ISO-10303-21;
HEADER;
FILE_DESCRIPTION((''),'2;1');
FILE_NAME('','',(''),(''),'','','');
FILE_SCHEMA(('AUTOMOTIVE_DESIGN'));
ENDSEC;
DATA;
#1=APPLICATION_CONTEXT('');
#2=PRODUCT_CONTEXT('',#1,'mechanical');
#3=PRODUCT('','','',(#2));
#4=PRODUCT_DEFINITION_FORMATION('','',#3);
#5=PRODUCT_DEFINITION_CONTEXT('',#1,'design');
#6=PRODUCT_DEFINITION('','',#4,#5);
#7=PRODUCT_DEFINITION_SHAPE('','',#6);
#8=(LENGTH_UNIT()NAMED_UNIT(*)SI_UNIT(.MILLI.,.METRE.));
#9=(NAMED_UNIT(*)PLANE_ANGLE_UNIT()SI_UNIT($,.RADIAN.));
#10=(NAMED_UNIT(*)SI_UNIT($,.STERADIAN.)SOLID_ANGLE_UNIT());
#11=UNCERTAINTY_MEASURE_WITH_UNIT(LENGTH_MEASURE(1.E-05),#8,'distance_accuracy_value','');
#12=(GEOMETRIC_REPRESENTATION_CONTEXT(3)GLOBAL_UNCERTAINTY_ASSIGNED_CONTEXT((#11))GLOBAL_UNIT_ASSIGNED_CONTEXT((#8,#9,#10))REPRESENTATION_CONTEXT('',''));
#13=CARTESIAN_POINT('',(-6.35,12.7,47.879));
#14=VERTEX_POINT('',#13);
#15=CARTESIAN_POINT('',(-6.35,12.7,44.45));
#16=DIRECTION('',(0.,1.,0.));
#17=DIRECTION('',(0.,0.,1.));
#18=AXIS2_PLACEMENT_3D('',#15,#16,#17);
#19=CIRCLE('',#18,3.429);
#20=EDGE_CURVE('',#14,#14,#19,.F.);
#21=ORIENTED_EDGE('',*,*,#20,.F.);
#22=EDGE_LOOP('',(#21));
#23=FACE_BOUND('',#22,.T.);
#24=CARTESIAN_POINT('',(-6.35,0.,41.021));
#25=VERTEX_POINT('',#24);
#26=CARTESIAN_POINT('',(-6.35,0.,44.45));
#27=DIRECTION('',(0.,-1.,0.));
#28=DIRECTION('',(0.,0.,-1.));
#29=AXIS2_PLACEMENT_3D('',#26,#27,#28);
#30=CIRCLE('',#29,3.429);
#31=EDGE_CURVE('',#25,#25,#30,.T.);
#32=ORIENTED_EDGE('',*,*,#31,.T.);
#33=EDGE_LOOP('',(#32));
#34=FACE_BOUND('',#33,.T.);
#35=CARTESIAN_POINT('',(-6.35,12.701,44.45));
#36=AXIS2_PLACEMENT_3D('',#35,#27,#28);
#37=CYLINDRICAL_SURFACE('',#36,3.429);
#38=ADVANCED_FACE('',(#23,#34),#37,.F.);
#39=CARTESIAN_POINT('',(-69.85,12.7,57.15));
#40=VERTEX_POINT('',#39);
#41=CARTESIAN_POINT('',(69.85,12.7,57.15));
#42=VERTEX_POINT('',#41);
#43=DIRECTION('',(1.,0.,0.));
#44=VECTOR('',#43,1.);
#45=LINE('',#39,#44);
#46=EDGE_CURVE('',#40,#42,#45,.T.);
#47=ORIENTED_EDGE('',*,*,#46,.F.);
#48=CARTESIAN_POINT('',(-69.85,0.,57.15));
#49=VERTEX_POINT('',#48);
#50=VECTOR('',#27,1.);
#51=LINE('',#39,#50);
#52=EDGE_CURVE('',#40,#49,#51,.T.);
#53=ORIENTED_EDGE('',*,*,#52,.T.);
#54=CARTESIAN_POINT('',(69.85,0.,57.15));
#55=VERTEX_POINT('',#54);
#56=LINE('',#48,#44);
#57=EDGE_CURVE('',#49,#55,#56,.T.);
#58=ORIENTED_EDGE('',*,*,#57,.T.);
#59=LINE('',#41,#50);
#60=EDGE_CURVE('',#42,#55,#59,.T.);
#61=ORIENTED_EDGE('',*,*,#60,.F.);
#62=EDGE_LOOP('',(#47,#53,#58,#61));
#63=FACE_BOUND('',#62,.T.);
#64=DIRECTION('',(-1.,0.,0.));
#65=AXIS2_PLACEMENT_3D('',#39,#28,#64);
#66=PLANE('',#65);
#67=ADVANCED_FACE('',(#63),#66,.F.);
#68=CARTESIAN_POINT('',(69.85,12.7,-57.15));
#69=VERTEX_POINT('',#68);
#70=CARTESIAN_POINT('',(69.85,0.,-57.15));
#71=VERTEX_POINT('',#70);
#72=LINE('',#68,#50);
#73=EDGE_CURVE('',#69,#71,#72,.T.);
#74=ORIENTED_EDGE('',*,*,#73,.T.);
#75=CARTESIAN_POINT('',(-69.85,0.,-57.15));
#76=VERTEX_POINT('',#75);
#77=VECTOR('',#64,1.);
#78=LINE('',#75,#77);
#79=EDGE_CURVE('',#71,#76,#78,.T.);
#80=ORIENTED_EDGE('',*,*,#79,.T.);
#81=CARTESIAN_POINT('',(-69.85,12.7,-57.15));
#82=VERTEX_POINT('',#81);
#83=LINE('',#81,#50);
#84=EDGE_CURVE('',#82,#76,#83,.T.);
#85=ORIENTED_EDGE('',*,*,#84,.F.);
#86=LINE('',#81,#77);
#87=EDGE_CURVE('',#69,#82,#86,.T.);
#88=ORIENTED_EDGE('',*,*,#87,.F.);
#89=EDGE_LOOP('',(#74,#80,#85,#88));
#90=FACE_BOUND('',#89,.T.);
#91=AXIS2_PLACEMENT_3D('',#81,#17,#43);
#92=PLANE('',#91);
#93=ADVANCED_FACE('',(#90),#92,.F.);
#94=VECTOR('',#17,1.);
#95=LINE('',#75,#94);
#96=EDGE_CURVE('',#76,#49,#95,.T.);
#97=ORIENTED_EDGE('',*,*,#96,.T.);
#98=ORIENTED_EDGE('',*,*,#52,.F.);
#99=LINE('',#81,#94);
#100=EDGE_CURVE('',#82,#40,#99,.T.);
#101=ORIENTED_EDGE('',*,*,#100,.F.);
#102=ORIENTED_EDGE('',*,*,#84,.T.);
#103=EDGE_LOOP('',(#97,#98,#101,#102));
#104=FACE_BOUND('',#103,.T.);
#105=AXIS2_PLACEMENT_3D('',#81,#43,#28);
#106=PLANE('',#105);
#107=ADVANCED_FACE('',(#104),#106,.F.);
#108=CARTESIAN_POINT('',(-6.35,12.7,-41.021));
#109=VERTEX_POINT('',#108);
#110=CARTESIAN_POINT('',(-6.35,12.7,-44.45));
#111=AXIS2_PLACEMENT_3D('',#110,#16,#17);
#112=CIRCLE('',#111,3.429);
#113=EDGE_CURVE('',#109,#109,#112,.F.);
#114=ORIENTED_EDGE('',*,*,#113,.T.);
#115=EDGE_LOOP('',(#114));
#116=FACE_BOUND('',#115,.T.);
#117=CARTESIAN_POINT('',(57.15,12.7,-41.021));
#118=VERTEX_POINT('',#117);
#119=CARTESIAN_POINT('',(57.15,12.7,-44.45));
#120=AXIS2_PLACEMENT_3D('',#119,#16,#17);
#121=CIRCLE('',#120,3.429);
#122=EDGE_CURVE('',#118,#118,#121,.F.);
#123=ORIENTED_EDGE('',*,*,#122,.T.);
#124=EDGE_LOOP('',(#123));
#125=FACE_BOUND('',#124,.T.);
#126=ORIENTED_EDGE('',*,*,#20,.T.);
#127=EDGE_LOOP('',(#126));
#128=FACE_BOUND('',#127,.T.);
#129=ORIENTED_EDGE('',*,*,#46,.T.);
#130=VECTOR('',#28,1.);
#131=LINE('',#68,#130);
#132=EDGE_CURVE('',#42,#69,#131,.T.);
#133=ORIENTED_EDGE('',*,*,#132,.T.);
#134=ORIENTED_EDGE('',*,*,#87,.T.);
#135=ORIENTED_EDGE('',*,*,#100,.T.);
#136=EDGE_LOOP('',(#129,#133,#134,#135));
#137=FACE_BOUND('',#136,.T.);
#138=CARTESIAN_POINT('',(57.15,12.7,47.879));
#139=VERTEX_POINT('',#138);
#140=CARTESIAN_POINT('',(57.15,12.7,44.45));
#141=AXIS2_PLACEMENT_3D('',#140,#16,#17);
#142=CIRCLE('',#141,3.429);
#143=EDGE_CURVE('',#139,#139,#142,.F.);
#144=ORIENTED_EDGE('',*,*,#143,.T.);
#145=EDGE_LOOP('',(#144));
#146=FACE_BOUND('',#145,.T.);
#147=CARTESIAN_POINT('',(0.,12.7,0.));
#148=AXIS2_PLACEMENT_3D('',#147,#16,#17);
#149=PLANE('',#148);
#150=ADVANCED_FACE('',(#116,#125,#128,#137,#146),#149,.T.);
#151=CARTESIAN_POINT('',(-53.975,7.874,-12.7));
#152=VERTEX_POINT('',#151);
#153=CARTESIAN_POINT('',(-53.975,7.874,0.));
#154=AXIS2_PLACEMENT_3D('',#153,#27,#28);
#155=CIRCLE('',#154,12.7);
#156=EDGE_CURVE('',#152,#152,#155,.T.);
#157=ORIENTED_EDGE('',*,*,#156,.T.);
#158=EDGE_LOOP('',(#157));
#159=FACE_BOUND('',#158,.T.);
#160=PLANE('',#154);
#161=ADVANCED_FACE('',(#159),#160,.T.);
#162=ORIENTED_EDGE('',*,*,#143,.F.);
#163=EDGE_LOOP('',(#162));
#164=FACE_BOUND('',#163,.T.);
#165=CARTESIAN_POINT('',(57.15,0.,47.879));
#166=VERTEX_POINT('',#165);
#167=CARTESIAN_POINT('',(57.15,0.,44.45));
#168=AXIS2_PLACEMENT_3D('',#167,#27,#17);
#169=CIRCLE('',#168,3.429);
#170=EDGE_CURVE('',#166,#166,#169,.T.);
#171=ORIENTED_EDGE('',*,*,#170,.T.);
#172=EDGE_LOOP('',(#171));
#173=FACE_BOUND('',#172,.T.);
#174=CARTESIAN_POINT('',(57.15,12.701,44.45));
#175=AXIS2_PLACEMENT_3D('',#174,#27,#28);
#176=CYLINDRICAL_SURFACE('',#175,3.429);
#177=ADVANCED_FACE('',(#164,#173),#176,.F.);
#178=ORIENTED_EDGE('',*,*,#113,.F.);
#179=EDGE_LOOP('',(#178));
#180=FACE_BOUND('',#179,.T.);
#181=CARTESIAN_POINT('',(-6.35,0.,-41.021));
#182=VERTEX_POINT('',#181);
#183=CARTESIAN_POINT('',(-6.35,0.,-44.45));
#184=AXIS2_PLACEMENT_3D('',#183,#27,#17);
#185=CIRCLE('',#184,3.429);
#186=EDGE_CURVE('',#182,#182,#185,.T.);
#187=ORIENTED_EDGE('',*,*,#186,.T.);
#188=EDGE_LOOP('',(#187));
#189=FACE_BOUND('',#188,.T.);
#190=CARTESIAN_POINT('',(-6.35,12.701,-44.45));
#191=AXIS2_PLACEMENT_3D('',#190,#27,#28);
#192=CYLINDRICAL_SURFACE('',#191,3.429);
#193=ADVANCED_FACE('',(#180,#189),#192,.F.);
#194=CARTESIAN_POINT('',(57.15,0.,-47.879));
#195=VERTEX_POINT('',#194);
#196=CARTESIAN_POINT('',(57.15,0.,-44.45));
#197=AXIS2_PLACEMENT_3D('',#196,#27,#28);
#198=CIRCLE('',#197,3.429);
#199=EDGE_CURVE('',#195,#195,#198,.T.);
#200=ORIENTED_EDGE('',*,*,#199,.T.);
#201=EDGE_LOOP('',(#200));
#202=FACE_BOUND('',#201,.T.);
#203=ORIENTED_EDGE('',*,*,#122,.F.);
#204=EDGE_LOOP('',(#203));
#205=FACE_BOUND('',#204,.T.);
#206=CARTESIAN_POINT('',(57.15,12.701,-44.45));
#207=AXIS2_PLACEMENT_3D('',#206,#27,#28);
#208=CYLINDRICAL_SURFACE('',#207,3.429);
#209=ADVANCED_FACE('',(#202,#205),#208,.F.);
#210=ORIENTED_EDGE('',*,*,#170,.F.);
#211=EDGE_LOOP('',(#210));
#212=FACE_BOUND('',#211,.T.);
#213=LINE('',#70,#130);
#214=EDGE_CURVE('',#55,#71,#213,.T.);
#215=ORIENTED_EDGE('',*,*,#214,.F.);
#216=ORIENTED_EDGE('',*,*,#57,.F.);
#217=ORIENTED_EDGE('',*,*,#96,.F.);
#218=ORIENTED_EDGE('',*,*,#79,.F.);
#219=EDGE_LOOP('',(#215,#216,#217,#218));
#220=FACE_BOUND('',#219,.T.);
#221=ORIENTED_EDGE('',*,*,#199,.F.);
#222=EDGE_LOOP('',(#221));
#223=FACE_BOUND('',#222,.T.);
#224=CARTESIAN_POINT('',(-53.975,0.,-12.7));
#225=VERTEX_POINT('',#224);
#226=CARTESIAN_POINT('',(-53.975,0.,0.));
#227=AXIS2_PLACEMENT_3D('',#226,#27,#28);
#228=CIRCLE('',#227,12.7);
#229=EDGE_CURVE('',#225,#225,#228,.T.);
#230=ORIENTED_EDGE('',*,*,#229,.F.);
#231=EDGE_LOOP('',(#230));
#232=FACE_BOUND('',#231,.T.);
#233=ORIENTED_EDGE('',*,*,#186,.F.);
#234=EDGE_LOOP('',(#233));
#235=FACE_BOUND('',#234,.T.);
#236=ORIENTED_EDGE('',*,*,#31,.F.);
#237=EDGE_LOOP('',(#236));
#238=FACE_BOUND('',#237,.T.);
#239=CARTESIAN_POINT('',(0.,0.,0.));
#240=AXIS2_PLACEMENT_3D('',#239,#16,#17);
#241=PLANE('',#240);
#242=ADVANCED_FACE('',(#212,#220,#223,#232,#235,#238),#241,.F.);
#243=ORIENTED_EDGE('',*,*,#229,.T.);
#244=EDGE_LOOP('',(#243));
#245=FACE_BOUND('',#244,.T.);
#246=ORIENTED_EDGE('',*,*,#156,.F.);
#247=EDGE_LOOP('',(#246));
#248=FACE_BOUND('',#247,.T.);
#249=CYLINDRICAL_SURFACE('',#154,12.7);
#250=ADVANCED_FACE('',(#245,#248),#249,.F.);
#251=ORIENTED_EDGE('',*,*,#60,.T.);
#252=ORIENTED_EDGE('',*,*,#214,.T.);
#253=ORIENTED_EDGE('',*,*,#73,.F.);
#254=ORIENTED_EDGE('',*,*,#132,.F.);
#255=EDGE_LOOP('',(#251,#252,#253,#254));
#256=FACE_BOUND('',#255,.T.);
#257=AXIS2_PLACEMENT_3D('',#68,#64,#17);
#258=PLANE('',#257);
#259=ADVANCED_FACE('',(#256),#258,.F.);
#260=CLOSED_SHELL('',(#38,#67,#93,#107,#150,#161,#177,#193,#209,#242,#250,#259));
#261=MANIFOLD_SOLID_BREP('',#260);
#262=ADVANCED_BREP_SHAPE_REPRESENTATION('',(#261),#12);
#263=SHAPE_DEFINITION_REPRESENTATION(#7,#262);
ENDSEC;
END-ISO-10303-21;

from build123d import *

# Parameters (mm, degrees)
SKETCH1_W           = 139.7
SKETCH1_H           = 114.3
BOSS_EXTRUDE1_DEPTH = 12.7
CUT_EXTRUDE2_REACH  = 93.14
SKETCH3_R           = 3.429
SKETCH4_R           = 12.7
CUT_EXTRUDE3_DEPTH  = 7.874


with BuildPart() as part:
    # Sketch1 → Boss-Extrude1 (new body)
    with BuildSketch(Plane(origin=(0, 0, 0), x_dir=(1, 0, 0), z_dir=(0, 1, 0))):
        Rectangle(SKETCH1_W, SKETCH1_H)
    extrude(amount=BOSS_EXTRUDE1_DEPTH)

    # Sketch3 → Cut-Extrude2 (cut, up to next)
    with BuildSketch(Plane.XZ, mode=Mode.PRIVATE) as cut_extrude2_sk1:
        with Locations(Location((-6.35, 44.45, 0), (0, 0, 270))):
            Circle(SKETCH3_R)
    cut_extrude2_tool1 = extrude(cut_extrude2_sk1.sketch, amount=-CUT_EXTRUDE2_REACH, mode=Mode.PRIVATE) & part.part
    # Sketch3 → Cut-Extrude2 (cut, up to next)
    with BuildSketch(Plane.XZ, mode=Mode.PRIVATE) as cut_extrude2_sk2:
        with Locations(Location((-6.35, -44.45, 0), (0, 0, 90))):
            Circle(SKETCH3_R)
    cut_extrude2_tool2 = extrude(cut_extrude2_sk2.sketch, amount=-CUT_EXTRUDE2_REACH, mode=Mode.PRIVATE) & part.part
    # Sketch3 → Cut-Extrude2 (cut, up to next)
    with BuildSketch(Plane.XZ, mode=Mode.PRIVATE) as cut_extrude2_sk3:
        with Locations(Location((57.15, 44.45, 0), (0, 0, 90))):
            Circle(SKETCH3_R)
    cut_extrude2_tool3 = extrude(cut_extrude2_sk3.sketch, amount=-CUT_EXTRUDE2_REACH, mode=Mode.PRIVATE) & part.part
    # Sketch3 → Cut-Extrude2 (cut, up to next)
    with BuildSketch(Plane.XZ, mode=Mode.PRIVATE) as cut_extrude2_sk4:
        with Locations(Location((57.15, -44.45, 0), (0, 0, 270))):
            Circle(SKETCH3_R)
    cut_extrude2_tool4 = extrude(cut_extrude2_sk4.sketch, amount=-CUT_EXTRUDE2_REACH, mode=Mode.PRIVATE) & part.part
    add(cut_extrude2_tool1.solids().sort_by_distance((-6.35, 0, 44.45))[0], mode=Mode.SUBTRACT)
    add(cut_extrude2_tool2.solids().sort_by_distance((-6.35, 0, -44.45))[0], mode=Mode.SUBTRACT)
    add(cut_extrude2_tool3.solids().sort_by_distance((57.15, 0, 44.45))[0], mode=Mode.SUBTRACT)
    add(cut_extrude2_tool4.solids().sort_by_distance((57.15, 0, -44.45))[0], mode=Mode.SUBTRACT)

    # Sketch4 → Cut-Extrude3 (cut)
    with BuildSketch(Plane.XZ):
        with Locations(Location((-53.975, 0, 0), (0, 0, 270))):
            Circle(SKETCH4_R)
    extrude(amount=-CUT_EXTRUDE3_DEPTH, mode=Mode.SUBTRACT)


solid = part.part
